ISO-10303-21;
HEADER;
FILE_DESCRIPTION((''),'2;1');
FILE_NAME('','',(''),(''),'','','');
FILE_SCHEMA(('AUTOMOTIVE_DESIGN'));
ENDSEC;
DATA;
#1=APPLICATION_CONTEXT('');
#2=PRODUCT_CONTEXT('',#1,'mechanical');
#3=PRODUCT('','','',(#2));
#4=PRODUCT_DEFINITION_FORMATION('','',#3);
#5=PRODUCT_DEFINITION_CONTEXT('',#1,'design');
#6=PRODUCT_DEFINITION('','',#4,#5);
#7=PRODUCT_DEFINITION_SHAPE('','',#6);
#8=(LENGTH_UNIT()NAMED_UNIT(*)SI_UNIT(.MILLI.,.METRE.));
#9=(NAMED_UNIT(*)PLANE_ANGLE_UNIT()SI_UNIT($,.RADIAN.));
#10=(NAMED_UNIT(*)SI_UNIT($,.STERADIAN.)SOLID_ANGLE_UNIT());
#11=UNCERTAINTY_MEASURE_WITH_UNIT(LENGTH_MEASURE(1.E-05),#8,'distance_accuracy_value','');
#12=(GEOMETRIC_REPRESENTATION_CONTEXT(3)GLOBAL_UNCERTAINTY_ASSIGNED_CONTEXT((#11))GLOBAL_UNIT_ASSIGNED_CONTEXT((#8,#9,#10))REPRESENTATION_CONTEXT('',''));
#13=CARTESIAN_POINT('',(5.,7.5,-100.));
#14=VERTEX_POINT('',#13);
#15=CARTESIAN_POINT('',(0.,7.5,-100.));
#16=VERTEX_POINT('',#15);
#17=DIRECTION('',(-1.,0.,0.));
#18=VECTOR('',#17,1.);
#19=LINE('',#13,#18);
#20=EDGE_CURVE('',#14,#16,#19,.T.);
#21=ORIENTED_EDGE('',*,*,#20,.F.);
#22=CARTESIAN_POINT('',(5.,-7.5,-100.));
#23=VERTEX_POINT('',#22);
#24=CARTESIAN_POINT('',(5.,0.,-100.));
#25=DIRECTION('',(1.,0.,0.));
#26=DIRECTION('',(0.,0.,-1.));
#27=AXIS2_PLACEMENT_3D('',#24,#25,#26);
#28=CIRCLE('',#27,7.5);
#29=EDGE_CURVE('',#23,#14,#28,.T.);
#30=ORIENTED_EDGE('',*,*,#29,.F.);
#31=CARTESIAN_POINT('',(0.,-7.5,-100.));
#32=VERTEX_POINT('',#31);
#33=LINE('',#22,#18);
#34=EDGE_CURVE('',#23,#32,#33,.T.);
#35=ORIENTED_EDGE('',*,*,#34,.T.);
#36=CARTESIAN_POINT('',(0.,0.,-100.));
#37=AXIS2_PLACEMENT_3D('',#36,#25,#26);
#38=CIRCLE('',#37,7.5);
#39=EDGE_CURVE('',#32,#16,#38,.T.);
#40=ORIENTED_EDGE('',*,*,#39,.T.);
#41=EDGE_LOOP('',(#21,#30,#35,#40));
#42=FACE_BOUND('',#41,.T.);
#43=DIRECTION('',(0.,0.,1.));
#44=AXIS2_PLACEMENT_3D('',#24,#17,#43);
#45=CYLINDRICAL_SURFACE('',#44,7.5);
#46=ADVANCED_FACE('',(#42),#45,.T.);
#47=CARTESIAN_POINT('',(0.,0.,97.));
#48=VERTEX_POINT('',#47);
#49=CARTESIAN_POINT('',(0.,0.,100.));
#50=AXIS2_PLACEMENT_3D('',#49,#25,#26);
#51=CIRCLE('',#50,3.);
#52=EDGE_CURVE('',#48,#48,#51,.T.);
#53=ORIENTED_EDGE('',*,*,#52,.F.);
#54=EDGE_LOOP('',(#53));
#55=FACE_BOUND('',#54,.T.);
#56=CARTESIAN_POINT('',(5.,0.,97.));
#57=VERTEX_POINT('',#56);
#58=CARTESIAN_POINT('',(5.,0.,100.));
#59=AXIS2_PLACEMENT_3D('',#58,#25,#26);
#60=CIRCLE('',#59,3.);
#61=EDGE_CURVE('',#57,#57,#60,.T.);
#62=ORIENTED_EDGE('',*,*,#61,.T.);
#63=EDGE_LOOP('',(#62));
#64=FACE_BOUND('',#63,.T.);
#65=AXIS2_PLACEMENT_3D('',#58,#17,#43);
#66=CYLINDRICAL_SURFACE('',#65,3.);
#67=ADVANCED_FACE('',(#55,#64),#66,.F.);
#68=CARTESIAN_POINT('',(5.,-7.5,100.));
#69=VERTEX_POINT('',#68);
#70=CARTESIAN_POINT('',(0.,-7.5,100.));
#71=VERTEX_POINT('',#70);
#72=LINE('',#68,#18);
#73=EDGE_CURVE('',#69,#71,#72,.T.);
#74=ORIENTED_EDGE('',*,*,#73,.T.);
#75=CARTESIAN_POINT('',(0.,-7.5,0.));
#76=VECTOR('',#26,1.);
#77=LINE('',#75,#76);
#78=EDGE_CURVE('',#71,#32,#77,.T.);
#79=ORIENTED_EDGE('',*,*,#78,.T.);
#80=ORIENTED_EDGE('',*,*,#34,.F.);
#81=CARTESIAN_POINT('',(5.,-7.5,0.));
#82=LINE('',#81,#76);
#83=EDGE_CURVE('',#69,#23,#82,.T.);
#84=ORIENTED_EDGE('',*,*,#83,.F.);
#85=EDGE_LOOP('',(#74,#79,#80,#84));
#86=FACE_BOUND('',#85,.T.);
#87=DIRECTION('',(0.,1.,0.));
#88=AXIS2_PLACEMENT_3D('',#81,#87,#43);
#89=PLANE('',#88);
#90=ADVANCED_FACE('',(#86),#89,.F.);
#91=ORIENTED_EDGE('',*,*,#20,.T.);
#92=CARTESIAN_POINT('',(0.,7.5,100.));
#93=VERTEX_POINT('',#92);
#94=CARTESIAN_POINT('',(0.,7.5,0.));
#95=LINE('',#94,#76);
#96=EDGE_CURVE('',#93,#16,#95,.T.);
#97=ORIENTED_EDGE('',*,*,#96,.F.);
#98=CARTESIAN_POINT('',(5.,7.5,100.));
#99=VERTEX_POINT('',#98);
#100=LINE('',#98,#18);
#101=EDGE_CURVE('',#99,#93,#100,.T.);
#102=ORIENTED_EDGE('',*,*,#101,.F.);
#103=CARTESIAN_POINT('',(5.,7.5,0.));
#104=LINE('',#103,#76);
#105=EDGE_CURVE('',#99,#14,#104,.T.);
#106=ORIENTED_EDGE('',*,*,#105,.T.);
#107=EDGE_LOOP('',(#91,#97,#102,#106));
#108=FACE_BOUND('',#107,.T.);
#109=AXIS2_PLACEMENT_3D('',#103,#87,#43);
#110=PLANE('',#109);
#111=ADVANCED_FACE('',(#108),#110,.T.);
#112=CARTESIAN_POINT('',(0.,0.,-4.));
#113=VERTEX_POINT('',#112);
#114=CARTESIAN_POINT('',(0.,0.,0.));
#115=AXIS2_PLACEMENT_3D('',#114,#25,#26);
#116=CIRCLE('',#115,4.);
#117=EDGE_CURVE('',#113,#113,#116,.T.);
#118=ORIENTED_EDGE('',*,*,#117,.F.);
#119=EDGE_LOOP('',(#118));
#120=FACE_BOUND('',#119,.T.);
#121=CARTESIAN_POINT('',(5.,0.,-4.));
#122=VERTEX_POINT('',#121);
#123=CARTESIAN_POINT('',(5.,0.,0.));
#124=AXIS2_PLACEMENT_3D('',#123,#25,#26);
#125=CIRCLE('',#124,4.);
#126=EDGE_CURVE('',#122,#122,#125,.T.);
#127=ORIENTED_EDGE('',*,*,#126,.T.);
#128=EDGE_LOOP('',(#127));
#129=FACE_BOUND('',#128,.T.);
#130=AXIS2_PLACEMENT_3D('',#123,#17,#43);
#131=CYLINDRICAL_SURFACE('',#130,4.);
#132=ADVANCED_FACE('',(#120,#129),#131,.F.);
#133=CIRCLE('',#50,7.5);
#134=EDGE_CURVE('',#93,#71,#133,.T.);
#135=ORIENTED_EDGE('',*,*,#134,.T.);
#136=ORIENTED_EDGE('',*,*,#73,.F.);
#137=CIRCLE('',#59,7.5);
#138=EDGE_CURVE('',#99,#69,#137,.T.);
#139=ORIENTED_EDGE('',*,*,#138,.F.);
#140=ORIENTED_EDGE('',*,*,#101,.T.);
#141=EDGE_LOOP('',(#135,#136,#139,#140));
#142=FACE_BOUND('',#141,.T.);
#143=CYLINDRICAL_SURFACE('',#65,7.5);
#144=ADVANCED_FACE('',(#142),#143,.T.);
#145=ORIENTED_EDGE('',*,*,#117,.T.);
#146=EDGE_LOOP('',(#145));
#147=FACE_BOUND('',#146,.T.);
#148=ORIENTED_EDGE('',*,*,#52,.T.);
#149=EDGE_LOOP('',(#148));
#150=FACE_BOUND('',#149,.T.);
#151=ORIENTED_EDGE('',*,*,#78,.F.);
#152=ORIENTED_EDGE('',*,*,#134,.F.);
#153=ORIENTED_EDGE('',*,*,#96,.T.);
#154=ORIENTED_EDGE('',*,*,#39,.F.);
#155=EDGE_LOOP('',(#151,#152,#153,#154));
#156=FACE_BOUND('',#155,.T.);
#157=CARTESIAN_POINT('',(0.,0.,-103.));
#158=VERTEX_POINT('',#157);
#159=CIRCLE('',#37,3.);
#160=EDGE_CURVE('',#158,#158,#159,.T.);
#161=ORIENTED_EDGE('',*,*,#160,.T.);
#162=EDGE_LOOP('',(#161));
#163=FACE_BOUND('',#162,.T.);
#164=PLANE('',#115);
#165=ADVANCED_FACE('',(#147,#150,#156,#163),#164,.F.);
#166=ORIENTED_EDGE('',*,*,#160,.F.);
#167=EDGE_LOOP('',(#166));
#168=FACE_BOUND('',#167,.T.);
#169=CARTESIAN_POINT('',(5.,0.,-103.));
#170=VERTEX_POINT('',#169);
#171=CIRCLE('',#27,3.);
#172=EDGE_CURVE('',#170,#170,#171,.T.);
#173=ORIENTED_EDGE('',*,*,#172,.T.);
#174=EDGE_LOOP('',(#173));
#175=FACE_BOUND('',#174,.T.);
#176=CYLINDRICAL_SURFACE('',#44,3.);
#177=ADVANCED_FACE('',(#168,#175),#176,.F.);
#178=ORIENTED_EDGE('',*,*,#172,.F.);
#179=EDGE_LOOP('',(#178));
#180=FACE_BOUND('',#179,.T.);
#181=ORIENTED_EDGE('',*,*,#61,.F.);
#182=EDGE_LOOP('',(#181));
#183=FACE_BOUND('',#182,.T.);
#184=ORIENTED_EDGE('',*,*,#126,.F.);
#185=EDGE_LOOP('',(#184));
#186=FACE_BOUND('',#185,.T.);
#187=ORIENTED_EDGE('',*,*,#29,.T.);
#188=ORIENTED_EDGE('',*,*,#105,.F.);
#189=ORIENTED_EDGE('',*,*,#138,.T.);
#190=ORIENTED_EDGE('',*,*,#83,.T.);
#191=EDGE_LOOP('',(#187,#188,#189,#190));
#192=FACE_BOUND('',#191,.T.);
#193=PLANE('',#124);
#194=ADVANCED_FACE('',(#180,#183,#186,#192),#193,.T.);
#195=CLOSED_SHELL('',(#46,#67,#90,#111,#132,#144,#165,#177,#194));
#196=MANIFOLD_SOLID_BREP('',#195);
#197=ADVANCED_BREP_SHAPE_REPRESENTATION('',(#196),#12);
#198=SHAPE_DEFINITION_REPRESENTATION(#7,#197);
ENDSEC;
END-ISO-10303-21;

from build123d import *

# Parameters (mm, degrees)
SKETCH1_R           = 3
SKETCH1_R_2         = 4
BOSS_EXTRUDE1_DEPTH = 5


with BuildPart() as part:
    # Sketch1 → Boss-Extrude1 (new body)
    with BuildSketch(Plane(origin=(0, 0, 0), x_dir=(0, 0, -1), z_dir=(1, 0, 0))):
        with BuildLine():
            Line((100, 7.5), (-100, 7.5))
            ThreePointArc((-100, 7.5), (-107.5, 0), (-100, -7.5))
            Line((-100, -7.5), (100, -7.5))
            ThreePointArc((100, -7.5), (107.5, 0), (100, 7.5))
        make_face()
        with Locations((-100, 0)):
            Circle(SKETCH1_R, mode=Mode.SUBTRACT)
        Circle(SKETCH1_R_2, mode=Mode.SUBTRACT)
        with Locations((100, 0)):
            Circle(SKETCH1_R, mode=Mode.SUBTRACT)
    extrude(amount=BOSS_EXTRUDE1_DEPTH)


solid = part.part
